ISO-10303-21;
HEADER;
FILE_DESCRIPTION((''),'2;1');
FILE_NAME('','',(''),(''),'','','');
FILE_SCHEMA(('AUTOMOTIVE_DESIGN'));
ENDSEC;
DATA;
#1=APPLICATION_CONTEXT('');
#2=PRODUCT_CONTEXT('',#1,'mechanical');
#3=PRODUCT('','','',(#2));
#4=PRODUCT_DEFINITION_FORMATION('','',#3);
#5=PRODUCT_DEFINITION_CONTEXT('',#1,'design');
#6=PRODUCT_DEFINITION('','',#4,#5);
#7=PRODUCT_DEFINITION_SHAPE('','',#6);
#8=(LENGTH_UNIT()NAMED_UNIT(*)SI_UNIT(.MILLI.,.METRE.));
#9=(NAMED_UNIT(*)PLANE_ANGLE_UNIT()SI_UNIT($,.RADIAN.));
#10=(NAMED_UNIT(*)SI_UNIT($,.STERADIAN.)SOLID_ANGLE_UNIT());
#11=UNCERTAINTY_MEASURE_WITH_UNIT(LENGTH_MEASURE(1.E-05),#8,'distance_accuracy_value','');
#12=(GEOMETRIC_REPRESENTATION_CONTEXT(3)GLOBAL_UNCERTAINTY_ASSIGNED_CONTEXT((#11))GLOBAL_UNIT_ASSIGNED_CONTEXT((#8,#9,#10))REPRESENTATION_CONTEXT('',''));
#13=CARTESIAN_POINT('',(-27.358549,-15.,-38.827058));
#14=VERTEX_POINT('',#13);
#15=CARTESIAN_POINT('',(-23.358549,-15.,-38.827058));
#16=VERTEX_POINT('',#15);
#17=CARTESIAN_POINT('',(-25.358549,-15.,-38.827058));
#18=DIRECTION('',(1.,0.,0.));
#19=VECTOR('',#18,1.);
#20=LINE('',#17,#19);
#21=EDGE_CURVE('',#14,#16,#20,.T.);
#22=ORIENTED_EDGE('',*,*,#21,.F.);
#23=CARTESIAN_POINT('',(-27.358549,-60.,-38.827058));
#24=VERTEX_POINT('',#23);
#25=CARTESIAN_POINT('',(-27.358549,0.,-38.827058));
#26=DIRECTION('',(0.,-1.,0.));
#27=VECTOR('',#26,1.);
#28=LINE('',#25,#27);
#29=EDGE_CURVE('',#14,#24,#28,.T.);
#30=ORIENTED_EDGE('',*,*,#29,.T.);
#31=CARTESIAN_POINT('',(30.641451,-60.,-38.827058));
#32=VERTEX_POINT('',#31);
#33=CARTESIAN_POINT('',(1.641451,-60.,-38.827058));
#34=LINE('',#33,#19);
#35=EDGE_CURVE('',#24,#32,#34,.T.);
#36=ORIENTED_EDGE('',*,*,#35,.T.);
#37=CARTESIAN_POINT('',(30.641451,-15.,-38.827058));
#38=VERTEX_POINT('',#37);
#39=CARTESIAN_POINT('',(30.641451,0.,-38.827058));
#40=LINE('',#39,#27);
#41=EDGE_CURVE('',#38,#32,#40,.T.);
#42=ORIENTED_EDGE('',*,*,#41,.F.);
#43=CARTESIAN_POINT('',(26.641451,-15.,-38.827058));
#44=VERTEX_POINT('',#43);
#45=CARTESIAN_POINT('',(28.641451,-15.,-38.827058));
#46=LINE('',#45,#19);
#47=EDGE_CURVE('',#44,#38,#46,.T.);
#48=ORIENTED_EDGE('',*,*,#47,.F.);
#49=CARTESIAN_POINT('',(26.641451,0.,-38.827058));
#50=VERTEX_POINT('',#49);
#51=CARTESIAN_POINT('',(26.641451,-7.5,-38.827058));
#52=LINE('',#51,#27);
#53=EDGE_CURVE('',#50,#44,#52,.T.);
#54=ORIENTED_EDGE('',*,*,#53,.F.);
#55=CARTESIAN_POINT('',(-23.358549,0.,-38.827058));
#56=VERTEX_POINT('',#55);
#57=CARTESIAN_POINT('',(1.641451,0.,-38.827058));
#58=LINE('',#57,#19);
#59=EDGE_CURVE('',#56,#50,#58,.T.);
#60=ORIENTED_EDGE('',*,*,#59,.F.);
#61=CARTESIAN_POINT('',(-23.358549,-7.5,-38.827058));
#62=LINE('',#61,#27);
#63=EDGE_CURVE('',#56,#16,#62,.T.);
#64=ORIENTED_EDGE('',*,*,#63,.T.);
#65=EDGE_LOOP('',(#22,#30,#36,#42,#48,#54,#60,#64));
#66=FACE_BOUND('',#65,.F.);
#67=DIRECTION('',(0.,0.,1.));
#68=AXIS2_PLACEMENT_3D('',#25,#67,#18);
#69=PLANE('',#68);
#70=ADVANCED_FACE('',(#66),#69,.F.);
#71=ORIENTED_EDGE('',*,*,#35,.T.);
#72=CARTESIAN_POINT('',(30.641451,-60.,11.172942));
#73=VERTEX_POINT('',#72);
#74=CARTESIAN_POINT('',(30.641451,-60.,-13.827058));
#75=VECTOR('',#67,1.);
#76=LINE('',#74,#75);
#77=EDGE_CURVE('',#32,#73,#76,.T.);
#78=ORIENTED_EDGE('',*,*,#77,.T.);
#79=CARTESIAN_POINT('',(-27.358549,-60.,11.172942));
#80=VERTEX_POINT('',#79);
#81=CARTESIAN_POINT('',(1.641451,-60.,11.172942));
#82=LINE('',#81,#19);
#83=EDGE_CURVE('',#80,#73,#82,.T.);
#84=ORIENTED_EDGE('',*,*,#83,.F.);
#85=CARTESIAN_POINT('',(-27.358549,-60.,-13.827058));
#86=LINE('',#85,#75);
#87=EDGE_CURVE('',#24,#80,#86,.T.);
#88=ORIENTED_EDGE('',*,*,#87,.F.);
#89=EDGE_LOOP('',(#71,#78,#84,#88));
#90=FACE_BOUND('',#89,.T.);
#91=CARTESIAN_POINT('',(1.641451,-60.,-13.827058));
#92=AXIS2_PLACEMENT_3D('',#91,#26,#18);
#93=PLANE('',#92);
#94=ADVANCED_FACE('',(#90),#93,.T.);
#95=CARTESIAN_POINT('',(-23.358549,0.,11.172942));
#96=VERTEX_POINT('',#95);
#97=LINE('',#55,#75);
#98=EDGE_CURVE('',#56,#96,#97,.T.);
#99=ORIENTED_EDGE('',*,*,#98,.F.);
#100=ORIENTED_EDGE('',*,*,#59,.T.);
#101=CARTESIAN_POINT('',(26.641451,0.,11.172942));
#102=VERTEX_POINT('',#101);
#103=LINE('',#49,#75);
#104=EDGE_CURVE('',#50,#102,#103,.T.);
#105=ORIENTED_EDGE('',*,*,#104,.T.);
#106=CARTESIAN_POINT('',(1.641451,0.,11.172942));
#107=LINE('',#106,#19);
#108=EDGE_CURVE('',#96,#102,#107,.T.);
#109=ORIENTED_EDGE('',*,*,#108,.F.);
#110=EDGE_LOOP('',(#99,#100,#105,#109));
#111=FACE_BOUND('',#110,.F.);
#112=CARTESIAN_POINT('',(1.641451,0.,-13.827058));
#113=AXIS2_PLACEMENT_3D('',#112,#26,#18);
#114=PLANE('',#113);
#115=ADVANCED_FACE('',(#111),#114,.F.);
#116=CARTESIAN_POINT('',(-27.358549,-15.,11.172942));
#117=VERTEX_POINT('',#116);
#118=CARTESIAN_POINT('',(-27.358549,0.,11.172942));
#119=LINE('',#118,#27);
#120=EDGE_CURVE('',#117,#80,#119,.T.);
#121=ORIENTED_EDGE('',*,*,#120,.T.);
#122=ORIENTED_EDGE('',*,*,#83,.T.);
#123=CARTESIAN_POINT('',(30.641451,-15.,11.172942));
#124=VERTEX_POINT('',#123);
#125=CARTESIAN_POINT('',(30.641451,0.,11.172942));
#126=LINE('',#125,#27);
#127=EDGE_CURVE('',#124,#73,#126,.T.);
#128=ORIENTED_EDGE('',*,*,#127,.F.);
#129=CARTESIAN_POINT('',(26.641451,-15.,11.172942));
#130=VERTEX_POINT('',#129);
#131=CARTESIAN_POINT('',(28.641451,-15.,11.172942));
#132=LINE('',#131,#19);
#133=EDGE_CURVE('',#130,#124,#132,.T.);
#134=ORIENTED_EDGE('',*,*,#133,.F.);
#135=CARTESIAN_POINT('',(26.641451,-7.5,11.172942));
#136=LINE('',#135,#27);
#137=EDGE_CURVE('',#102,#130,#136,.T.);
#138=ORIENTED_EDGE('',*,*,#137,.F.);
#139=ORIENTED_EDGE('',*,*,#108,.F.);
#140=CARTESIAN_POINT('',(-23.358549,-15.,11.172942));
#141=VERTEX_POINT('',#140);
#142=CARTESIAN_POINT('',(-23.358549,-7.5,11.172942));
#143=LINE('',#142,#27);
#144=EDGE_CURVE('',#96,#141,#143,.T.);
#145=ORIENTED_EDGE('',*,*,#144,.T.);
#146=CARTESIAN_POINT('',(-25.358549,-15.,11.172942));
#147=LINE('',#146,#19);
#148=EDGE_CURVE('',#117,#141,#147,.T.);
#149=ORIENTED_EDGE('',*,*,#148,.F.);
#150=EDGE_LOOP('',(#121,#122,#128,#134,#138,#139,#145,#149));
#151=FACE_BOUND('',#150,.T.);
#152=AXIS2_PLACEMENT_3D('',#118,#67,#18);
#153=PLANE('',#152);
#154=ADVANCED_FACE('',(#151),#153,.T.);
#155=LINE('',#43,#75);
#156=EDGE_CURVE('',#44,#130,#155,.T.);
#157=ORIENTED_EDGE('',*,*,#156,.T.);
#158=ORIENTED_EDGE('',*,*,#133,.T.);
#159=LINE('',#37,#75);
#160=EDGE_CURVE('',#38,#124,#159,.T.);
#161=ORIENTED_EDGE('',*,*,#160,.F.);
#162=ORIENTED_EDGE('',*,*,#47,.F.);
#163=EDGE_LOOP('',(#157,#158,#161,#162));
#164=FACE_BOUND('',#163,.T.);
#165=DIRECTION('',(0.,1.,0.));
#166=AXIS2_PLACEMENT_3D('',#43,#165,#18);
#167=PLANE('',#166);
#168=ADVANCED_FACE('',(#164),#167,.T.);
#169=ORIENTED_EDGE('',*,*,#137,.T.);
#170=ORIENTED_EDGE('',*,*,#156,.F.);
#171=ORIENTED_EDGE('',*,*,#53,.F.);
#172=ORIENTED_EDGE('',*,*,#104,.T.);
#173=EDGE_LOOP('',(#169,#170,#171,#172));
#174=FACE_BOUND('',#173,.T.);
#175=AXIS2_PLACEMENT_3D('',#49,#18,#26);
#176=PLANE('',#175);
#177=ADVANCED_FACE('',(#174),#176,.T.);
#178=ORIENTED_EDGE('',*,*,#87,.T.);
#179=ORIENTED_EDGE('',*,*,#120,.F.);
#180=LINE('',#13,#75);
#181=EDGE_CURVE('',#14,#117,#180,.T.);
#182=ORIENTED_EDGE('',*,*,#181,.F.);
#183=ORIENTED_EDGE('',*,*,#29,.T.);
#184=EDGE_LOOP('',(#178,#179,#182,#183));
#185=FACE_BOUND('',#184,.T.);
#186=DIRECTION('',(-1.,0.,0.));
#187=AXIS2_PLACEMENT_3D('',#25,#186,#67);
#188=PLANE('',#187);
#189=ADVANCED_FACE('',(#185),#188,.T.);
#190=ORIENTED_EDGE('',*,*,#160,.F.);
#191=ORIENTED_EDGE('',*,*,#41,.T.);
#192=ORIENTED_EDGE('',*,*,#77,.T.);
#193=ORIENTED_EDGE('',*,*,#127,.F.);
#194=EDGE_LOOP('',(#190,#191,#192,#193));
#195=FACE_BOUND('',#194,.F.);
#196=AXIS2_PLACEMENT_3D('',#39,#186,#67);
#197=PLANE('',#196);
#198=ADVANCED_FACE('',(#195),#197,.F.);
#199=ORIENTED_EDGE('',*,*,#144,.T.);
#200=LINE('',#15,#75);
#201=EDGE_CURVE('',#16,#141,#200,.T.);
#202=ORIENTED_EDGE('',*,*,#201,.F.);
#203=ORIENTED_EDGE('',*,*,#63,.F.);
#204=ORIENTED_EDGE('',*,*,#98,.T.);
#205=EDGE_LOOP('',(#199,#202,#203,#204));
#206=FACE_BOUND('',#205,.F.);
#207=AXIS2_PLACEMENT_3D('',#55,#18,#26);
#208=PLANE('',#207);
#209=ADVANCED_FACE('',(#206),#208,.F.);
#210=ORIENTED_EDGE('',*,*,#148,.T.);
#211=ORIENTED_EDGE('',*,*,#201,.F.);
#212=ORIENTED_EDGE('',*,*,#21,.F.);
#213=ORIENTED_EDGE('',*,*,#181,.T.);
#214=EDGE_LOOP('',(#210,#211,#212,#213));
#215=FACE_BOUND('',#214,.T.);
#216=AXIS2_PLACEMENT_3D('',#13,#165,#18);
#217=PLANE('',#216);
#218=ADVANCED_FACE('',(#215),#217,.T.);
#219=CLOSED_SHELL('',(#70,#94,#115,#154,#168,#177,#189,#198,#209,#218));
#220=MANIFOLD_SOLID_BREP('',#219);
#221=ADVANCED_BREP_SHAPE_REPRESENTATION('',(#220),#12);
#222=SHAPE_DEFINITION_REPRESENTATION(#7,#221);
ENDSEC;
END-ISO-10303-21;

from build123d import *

# Parameters (mm, degrees)
F0_W     = 58
F0_H     = 50
F1_DEPTH = 60
F2_W     = 4
F2_H     = 15
F3_DEPTH = 50


with BuildPart() as f1:
    # F0 (on Front) → F1 (new body)
    with BuildSketch(Plane.XZ):
        with Locations((1.641451, -13.827058)):
            Rectangle(F0_W, F0_H)
    extrude(amount=F1_DEPTH)

    # F2 (on face) → F3 (cut)
    with BuildSketch(Plane(origin=(0, 0, -38.827058), x_dir=(1, 0, 0), z_dir=(0, 0, -1))):
        with Locations((-25.358549, 7.5)):
            Rectangle(F2_W, F2_H)
        with Locations((28.641451, 7.5)):
            Rectangle(F2_W, F2_H)
    extrude(amount=-F3_DEPTH, mode=Mode.SUBTRACT)


solid = f1.part
